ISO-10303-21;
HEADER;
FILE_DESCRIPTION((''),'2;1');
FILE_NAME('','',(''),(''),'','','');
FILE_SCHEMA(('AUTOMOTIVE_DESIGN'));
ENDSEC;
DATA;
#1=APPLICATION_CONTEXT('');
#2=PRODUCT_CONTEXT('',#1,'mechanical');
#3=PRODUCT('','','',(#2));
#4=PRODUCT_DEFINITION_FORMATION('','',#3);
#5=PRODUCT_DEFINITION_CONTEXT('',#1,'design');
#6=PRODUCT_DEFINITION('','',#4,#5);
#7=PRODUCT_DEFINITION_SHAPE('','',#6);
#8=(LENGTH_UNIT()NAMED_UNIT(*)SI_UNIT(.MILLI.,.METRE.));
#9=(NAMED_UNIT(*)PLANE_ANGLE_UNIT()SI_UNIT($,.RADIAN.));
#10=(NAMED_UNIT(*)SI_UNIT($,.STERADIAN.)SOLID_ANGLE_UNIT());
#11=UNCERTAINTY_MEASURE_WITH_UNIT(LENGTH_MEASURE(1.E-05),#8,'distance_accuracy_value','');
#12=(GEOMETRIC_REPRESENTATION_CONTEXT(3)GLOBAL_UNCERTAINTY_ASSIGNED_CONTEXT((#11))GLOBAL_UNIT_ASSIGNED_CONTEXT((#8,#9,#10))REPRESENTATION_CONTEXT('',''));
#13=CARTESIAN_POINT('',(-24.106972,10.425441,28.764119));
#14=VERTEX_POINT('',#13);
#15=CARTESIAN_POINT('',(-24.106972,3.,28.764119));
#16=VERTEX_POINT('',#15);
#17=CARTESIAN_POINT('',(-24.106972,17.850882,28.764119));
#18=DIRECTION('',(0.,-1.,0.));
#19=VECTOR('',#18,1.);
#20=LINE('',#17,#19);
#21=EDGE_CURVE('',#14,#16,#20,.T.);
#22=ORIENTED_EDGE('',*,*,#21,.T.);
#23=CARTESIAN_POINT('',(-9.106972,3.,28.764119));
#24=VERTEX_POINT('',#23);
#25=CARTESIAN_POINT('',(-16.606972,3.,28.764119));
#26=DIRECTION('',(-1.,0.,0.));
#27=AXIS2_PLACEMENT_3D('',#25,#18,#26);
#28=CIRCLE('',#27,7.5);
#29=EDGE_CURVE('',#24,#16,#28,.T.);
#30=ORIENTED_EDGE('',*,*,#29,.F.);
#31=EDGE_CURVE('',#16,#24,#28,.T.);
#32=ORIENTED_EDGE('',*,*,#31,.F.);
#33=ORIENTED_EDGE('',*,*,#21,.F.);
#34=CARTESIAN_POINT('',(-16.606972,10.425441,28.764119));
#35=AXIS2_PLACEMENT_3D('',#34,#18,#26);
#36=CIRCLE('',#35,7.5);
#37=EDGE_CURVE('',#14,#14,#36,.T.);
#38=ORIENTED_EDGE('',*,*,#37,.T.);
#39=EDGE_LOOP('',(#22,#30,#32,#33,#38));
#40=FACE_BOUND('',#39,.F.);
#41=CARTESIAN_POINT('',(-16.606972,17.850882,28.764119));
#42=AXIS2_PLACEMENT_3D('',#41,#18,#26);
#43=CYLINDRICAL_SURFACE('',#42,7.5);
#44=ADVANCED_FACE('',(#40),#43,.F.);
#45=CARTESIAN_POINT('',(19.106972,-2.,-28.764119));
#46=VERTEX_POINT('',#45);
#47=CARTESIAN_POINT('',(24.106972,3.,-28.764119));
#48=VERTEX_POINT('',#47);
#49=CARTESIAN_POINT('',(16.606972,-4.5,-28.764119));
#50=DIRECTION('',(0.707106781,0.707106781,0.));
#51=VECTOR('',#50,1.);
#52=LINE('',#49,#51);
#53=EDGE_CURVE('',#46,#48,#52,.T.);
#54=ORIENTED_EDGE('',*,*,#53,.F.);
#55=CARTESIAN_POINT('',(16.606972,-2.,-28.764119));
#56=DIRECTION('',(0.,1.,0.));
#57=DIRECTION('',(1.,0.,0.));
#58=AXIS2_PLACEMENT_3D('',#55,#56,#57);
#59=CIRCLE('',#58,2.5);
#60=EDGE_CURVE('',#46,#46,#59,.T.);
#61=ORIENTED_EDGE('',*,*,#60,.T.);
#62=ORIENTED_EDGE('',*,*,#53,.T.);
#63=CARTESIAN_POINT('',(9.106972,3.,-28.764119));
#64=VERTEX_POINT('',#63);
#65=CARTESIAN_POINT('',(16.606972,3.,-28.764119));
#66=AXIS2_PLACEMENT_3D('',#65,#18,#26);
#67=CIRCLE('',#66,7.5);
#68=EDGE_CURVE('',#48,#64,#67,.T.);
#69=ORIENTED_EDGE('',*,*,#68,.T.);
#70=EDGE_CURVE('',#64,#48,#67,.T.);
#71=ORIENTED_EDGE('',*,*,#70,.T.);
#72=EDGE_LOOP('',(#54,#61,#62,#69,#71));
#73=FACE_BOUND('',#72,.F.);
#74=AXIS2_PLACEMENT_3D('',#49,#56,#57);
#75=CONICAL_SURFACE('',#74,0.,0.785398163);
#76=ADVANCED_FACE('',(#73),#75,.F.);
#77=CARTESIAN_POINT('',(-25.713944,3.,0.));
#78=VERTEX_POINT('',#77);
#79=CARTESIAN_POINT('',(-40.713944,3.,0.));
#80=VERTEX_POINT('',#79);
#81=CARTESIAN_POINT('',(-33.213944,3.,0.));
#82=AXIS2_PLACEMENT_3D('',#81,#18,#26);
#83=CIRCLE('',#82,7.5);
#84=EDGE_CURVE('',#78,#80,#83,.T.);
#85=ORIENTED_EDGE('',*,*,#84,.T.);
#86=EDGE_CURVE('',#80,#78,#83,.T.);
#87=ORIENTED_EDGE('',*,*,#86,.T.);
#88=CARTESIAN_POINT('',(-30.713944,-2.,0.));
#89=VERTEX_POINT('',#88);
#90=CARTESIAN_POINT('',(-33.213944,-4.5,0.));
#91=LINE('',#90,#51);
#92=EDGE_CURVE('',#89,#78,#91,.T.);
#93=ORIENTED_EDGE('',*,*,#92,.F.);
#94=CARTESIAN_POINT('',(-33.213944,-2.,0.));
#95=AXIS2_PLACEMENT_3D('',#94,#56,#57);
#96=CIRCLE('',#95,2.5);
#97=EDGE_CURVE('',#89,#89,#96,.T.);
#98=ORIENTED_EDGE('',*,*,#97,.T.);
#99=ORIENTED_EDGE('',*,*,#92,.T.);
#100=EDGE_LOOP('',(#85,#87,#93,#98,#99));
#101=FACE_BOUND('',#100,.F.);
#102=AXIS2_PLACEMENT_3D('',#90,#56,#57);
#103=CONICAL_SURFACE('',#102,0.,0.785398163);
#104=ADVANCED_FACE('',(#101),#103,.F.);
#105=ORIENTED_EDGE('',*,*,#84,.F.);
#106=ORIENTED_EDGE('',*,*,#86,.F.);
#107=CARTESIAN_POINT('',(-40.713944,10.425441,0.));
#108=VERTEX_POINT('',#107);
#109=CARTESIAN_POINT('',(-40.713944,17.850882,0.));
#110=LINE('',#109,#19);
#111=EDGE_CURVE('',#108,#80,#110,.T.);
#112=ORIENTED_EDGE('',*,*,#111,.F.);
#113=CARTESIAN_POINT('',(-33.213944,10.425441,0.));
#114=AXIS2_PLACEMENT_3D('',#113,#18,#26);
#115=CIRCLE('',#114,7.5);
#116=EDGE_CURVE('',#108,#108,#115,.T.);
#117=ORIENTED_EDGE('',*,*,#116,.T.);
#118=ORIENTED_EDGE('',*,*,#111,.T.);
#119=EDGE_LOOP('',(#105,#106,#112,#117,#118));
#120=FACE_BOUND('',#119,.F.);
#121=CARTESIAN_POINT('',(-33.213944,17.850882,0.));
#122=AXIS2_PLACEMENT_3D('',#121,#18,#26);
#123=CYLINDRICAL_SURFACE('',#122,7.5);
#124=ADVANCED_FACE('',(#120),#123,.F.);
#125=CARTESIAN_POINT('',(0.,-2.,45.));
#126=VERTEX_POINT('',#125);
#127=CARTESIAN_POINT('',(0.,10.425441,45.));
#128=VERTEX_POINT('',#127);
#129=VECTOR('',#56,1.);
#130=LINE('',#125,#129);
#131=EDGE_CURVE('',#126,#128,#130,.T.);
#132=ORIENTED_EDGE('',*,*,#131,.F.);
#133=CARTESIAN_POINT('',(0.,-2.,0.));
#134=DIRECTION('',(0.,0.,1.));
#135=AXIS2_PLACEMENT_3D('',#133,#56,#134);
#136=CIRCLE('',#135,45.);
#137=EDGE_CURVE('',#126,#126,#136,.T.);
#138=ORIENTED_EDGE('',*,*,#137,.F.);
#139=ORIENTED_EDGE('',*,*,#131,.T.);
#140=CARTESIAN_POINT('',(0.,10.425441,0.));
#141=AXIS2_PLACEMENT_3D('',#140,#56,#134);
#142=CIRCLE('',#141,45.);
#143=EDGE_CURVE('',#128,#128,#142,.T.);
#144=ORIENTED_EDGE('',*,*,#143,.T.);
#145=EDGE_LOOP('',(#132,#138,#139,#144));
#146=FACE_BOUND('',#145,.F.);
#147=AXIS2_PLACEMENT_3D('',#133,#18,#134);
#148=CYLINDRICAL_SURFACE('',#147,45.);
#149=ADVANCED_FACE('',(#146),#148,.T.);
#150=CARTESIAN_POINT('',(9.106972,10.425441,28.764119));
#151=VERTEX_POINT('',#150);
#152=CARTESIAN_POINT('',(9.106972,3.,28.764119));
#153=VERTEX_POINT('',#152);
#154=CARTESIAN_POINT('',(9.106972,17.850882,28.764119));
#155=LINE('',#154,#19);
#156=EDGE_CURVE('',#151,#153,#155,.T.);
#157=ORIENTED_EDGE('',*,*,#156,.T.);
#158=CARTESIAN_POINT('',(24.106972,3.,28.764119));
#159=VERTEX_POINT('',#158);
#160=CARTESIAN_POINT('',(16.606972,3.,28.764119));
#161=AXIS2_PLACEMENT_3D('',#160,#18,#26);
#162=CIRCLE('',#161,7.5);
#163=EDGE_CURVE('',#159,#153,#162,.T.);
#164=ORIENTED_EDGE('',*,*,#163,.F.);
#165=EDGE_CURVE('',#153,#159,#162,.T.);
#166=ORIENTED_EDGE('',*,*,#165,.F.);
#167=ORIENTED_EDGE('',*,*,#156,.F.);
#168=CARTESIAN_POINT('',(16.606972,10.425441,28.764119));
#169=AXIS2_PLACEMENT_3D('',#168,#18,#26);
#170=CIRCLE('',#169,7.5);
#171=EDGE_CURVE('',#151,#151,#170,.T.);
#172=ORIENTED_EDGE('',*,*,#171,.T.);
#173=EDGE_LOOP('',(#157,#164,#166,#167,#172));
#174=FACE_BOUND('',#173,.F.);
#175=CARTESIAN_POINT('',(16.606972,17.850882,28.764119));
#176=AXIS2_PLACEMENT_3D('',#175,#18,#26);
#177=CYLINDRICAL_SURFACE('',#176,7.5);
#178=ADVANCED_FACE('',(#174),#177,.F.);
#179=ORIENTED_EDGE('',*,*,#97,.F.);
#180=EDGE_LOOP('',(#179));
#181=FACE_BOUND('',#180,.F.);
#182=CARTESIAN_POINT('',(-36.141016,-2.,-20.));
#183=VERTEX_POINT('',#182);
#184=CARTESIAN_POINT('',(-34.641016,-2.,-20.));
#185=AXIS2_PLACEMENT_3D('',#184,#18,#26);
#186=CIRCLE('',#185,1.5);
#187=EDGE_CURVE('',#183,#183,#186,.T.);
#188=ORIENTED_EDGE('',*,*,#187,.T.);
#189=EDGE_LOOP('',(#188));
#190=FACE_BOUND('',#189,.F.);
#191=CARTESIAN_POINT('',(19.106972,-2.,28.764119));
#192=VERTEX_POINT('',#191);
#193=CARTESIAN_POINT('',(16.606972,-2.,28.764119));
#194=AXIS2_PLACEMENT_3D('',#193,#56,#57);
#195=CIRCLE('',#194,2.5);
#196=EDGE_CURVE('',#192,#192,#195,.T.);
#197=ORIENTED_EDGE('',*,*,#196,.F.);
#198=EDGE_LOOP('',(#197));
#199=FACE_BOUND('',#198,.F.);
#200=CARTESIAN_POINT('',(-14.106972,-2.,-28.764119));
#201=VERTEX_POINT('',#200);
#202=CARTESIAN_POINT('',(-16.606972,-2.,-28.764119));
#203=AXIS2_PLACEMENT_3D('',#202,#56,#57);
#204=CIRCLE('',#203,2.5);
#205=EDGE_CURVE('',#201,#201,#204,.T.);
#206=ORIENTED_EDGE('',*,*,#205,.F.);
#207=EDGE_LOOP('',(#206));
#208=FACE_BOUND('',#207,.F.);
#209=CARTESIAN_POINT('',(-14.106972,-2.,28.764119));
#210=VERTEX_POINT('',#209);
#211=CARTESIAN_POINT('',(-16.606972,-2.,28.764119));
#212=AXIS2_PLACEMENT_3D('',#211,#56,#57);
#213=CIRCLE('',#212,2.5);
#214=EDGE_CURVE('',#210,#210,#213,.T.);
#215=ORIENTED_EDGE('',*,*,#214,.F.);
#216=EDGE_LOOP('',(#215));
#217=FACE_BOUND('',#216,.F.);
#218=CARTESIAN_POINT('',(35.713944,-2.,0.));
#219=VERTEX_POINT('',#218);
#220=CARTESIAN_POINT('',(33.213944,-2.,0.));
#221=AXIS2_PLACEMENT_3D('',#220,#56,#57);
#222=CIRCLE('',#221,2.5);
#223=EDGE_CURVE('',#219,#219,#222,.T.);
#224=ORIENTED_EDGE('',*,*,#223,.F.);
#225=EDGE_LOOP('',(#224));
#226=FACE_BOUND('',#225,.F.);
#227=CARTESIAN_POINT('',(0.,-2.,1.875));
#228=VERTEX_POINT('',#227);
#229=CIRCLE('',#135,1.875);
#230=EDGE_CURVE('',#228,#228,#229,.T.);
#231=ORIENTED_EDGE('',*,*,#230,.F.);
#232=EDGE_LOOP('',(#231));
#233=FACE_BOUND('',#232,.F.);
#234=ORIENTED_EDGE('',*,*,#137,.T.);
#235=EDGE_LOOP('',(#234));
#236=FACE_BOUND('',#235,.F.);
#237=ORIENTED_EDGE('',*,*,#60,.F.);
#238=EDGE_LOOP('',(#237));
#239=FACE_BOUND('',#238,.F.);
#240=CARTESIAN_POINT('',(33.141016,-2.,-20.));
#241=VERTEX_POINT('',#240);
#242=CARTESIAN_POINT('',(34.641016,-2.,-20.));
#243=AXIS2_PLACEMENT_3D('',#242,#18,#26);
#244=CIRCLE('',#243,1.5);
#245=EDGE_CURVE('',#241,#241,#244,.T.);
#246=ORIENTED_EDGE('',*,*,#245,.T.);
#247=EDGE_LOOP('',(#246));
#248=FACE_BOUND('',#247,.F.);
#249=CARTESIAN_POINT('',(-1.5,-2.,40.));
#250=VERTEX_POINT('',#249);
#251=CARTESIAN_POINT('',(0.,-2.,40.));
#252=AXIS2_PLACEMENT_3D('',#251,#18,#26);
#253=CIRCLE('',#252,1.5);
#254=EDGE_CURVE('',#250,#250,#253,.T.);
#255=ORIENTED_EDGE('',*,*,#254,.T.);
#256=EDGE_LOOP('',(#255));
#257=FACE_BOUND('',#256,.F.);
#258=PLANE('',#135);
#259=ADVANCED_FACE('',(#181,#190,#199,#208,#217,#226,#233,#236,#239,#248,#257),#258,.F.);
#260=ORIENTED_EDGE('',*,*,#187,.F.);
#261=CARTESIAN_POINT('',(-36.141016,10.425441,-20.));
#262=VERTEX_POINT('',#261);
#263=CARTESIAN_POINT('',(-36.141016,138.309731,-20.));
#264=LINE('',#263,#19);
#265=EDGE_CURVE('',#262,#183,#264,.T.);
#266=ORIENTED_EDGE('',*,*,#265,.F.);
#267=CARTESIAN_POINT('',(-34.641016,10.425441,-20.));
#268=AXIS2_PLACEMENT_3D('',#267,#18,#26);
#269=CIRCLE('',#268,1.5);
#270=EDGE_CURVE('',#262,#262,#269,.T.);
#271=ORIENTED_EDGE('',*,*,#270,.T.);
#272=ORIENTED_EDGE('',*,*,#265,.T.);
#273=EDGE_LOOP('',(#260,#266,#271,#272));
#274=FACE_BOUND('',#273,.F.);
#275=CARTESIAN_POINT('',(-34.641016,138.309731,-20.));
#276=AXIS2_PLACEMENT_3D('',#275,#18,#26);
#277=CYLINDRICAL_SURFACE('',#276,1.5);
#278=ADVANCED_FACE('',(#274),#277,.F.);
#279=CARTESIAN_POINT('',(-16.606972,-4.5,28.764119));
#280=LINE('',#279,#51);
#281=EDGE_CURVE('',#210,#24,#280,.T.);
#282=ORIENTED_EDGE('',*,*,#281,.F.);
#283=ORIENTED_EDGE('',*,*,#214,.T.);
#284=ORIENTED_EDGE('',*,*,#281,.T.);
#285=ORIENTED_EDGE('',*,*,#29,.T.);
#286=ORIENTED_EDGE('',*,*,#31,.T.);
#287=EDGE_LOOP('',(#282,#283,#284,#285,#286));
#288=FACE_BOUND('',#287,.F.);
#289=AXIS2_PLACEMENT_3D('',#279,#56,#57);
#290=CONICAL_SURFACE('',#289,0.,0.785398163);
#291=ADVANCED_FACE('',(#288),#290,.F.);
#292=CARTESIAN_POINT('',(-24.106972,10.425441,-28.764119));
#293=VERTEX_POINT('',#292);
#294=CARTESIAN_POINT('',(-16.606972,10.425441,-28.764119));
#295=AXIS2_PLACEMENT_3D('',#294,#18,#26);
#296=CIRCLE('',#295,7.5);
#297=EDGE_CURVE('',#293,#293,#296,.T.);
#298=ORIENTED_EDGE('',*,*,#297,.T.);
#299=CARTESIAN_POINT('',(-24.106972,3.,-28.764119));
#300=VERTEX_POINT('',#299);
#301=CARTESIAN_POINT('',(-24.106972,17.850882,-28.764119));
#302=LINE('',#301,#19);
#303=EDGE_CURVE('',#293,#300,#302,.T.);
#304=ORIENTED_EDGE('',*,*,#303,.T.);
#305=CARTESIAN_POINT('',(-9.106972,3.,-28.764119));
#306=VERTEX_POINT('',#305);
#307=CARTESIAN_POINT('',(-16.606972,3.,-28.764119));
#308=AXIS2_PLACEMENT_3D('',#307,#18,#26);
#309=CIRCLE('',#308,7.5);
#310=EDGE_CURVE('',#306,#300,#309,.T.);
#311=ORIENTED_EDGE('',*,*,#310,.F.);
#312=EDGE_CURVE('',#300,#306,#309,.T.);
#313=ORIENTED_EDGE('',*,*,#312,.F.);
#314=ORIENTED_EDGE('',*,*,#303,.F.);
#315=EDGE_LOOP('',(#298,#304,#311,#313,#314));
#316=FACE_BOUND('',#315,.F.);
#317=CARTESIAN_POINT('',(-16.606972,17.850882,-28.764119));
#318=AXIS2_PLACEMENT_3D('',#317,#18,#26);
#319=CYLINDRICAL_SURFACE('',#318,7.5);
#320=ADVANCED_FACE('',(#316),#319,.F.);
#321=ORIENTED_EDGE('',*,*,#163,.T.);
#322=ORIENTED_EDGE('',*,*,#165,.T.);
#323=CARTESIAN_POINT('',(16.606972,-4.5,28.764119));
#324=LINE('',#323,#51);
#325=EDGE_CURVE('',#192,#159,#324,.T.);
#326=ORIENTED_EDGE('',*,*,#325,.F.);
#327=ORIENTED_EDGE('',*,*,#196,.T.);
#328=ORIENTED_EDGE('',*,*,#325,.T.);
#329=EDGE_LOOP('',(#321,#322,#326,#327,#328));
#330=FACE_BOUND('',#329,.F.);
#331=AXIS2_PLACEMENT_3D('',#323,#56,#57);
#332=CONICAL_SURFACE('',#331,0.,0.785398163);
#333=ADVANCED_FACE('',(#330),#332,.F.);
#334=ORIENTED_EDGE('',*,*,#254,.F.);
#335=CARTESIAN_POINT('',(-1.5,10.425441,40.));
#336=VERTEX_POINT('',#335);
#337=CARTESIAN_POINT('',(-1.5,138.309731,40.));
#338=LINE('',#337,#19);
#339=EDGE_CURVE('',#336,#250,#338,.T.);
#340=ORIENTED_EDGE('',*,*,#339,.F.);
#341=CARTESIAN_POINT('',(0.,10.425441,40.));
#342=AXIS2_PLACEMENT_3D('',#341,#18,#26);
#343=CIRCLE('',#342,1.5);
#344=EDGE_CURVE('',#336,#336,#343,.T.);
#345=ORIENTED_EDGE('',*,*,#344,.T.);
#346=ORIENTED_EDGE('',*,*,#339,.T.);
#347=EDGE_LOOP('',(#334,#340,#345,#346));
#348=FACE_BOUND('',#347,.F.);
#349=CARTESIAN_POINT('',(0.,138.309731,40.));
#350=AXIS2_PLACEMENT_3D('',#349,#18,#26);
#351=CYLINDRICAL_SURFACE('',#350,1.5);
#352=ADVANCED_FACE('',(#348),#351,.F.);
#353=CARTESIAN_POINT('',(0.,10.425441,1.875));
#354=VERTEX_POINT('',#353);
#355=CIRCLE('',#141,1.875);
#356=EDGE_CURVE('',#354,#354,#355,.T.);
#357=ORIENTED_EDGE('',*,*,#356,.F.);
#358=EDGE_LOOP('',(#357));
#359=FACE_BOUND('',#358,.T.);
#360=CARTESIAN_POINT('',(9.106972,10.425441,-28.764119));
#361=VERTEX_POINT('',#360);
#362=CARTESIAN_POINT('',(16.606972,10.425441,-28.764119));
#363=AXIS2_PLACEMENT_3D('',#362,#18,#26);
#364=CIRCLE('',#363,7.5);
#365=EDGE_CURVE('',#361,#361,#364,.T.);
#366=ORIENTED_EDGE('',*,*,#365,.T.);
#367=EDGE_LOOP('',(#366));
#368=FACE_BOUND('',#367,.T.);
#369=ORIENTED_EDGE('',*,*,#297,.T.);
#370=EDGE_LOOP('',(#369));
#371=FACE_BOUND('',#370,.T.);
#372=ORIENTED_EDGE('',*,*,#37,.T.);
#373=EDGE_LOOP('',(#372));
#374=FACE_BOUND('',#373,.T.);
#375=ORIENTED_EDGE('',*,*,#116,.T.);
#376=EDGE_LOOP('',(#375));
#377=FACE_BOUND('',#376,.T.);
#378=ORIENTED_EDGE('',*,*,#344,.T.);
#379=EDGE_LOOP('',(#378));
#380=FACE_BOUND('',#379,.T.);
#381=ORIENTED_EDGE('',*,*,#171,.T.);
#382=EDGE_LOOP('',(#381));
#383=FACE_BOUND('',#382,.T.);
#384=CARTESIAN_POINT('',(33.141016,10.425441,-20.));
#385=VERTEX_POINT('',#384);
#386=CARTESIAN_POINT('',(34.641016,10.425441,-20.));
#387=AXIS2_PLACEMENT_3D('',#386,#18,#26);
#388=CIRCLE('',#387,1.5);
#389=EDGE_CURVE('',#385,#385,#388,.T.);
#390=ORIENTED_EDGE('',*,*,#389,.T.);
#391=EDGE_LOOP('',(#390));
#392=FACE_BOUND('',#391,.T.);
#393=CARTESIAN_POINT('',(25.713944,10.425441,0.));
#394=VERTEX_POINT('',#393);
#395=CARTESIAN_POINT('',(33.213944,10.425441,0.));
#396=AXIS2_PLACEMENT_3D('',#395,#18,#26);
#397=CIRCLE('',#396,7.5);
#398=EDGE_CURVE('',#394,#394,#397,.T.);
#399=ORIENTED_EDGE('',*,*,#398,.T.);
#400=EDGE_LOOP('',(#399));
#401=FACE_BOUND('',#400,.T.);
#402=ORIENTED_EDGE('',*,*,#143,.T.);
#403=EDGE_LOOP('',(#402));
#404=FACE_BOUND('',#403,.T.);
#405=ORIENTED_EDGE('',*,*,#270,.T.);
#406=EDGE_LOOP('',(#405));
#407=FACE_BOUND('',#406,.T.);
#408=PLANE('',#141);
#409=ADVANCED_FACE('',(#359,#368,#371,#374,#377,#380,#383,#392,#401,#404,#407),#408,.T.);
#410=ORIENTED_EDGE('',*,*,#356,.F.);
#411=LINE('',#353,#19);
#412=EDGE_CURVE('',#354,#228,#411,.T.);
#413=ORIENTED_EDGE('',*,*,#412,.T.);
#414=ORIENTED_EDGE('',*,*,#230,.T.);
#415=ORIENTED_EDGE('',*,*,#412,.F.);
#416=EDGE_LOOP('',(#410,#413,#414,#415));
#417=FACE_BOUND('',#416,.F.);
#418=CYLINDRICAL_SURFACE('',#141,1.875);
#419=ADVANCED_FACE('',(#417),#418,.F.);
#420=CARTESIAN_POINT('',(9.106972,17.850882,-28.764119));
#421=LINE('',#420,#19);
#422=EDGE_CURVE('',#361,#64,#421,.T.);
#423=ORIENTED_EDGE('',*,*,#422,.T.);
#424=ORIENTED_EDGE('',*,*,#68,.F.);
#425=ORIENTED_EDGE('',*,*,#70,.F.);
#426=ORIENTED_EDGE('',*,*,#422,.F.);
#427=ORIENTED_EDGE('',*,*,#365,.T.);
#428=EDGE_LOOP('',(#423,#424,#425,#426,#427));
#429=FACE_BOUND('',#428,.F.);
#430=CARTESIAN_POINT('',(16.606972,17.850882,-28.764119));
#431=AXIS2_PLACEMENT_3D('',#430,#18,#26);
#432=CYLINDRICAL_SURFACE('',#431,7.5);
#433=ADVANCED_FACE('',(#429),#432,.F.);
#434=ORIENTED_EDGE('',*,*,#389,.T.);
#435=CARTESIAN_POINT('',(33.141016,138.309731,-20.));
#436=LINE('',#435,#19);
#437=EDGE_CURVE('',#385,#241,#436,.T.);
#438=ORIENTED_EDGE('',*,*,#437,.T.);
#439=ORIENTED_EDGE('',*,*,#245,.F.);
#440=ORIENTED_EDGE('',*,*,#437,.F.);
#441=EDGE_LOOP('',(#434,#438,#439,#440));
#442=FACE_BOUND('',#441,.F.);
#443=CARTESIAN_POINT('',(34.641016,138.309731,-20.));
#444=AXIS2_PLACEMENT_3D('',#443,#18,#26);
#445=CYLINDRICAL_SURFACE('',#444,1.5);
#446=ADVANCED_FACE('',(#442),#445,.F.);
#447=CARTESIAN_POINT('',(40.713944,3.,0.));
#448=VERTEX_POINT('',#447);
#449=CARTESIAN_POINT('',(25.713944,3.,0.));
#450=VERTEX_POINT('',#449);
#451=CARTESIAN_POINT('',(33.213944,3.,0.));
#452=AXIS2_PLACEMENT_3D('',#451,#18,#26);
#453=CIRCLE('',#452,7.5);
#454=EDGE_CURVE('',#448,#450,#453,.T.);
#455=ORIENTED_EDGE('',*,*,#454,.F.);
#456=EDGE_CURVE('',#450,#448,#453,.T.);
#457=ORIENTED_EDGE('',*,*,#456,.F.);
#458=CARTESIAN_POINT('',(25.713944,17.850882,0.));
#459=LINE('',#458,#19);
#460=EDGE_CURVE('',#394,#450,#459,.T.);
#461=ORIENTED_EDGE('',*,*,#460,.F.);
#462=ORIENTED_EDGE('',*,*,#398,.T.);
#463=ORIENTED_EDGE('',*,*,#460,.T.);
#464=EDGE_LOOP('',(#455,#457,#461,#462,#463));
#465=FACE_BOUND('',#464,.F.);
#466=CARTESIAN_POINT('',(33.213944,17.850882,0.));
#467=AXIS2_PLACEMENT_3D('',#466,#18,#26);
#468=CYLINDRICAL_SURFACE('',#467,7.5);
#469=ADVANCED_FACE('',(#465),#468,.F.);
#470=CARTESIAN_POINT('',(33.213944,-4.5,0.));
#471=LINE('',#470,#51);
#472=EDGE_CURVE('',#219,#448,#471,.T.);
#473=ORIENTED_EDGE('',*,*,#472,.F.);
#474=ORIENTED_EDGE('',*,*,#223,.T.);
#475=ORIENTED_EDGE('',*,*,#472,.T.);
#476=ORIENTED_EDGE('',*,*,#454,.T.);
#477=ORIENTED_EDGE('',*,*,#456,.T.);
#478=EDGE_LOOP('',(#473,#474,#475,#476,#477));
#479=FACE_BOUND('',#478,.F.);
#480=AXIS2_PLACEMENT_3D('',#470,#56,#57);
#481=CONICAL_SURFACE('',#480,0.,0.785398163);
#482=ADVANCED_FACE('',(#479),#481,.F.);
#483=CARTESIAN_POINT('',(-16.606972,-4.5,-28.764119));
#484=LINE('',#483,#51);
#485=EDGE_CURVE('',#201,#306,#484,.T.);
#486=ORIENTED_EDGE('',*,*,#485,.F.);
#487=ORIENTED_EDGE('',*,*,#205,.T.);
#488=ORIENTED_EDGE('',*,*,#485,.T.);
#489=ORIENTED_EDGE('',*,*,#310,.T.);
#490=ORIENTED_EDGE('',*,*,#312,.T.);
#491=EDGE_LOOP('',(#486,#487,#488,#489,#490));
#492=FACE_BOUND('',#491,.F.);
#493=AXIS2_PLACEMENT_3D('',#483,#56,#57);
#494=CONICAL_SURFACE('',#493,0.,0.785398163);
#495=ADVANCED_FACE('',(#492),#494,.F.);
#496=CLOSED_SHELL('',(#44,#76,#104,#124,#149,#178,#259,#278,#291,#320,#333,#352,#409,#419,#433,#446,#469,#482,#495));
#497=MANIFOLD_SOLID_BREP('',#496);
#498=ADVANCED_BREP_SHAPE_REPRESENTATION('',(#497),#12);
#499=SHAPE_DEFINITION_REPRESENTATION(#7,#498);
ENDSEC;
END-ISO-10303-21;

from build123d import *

# Parameters (mm, degrees)
BOSS_EXTRUDE1_DEPTH       = 10.425440853
BOSS_EXTRUDE1_DEPTH_BACK  = 2
SKETCH1_R                 = 45
F_8_0MM_DOWEL_HOLE1_D     = 15
F_8_0MM_DOWEL_HOLE1_DEPTH = 7.425440853
F_8_0MM_DOWEL_HOLE1_TIP   = 7.5
F_3_0_3_DIAMETER_HOLE1_D  = 3
SKETCH2_R                 = 1.875
CUT_EXTRUDE1_DEPTH        = 15


with BuildPart() as part:
    # Sketch1 → Boss-Extrude1 (new, two sides: drawn at the far end of the back side and taken through both)
    with BuildSketch(Plane(origin=(0, 0, 0), x_dir=(1, 0, 0), z_dir=(0, 1, 0)).offset(-BOSS_EXTRUDE1_DEPTH_BACK)):
        with Locations(Location((0, 0, 0), (0, 0, 270))):
            Circle(SKETCH1_R)
    extrude(amount=BOSS_EXTRUDE1_DEPTH + BOSS_EXTRUDE1_DEPTH_BACK)

    # Ø8.0mm Dowel Hole1
    with Locations(Plane(origin=(0, 10.425440853, 0), x_dir=(1, 0, 0), z_dir=(0, 1, 0))):
        with Locations((-16.606971943, 28.764119165), (-16.606971943, -28.764119165), (33.213943886, 0), (16.606971943, 28.764119165), (16.606971943, -28.764119165), (-33.213943886, 0)):
            Hole(F_8_0MM_DOWEL_HOLE1_D / 2, depth=F_8_0MM_DOWEL_HOLE1_DEPTH)
            with Locations((0, 0, -(F_8_0MM_DOWEL_HOLE1_DEPTH + F_8_0MM_DOWEL_HOLE1_TIP / 2))):  # 90° drill point
                Cone(0, F_8_0MM_DOWEL_HOLE1_D / 2, F_8_0MM_DOWEL_HOLE1_TIP, mode=Mode.SUBTRACT)

    # Ø3.0 (3) Diameter Hole1 (through all)
    with Locations(Plane(origin=(0, 10.425440853, 0), x_dir=(1, 0, 0), z_dir=(0, 1, 0))):
        with Locations((-34.641016151, 20), (0, -40), (34.641016151, 20)):
            Hole(F_3_0_3_DIAMETER_HOLE1_D / 2)

    # Sketch2 → Cut-Extrude1 (cut)
    with BuildSketch(Plane(origin=(0, 10.425440853, 0), x_dir=(1, 0, 0), z_dir=(0, 1, 0))):
        with Locations(Location((0, 0, 0), (0, 0, 270))):
            Circle(SKETCH2_R)
    extrude(amount=-CUT_EXTRUDE1_DEPTH, mode=Mode.SUBTRACT)


solid = part.part
